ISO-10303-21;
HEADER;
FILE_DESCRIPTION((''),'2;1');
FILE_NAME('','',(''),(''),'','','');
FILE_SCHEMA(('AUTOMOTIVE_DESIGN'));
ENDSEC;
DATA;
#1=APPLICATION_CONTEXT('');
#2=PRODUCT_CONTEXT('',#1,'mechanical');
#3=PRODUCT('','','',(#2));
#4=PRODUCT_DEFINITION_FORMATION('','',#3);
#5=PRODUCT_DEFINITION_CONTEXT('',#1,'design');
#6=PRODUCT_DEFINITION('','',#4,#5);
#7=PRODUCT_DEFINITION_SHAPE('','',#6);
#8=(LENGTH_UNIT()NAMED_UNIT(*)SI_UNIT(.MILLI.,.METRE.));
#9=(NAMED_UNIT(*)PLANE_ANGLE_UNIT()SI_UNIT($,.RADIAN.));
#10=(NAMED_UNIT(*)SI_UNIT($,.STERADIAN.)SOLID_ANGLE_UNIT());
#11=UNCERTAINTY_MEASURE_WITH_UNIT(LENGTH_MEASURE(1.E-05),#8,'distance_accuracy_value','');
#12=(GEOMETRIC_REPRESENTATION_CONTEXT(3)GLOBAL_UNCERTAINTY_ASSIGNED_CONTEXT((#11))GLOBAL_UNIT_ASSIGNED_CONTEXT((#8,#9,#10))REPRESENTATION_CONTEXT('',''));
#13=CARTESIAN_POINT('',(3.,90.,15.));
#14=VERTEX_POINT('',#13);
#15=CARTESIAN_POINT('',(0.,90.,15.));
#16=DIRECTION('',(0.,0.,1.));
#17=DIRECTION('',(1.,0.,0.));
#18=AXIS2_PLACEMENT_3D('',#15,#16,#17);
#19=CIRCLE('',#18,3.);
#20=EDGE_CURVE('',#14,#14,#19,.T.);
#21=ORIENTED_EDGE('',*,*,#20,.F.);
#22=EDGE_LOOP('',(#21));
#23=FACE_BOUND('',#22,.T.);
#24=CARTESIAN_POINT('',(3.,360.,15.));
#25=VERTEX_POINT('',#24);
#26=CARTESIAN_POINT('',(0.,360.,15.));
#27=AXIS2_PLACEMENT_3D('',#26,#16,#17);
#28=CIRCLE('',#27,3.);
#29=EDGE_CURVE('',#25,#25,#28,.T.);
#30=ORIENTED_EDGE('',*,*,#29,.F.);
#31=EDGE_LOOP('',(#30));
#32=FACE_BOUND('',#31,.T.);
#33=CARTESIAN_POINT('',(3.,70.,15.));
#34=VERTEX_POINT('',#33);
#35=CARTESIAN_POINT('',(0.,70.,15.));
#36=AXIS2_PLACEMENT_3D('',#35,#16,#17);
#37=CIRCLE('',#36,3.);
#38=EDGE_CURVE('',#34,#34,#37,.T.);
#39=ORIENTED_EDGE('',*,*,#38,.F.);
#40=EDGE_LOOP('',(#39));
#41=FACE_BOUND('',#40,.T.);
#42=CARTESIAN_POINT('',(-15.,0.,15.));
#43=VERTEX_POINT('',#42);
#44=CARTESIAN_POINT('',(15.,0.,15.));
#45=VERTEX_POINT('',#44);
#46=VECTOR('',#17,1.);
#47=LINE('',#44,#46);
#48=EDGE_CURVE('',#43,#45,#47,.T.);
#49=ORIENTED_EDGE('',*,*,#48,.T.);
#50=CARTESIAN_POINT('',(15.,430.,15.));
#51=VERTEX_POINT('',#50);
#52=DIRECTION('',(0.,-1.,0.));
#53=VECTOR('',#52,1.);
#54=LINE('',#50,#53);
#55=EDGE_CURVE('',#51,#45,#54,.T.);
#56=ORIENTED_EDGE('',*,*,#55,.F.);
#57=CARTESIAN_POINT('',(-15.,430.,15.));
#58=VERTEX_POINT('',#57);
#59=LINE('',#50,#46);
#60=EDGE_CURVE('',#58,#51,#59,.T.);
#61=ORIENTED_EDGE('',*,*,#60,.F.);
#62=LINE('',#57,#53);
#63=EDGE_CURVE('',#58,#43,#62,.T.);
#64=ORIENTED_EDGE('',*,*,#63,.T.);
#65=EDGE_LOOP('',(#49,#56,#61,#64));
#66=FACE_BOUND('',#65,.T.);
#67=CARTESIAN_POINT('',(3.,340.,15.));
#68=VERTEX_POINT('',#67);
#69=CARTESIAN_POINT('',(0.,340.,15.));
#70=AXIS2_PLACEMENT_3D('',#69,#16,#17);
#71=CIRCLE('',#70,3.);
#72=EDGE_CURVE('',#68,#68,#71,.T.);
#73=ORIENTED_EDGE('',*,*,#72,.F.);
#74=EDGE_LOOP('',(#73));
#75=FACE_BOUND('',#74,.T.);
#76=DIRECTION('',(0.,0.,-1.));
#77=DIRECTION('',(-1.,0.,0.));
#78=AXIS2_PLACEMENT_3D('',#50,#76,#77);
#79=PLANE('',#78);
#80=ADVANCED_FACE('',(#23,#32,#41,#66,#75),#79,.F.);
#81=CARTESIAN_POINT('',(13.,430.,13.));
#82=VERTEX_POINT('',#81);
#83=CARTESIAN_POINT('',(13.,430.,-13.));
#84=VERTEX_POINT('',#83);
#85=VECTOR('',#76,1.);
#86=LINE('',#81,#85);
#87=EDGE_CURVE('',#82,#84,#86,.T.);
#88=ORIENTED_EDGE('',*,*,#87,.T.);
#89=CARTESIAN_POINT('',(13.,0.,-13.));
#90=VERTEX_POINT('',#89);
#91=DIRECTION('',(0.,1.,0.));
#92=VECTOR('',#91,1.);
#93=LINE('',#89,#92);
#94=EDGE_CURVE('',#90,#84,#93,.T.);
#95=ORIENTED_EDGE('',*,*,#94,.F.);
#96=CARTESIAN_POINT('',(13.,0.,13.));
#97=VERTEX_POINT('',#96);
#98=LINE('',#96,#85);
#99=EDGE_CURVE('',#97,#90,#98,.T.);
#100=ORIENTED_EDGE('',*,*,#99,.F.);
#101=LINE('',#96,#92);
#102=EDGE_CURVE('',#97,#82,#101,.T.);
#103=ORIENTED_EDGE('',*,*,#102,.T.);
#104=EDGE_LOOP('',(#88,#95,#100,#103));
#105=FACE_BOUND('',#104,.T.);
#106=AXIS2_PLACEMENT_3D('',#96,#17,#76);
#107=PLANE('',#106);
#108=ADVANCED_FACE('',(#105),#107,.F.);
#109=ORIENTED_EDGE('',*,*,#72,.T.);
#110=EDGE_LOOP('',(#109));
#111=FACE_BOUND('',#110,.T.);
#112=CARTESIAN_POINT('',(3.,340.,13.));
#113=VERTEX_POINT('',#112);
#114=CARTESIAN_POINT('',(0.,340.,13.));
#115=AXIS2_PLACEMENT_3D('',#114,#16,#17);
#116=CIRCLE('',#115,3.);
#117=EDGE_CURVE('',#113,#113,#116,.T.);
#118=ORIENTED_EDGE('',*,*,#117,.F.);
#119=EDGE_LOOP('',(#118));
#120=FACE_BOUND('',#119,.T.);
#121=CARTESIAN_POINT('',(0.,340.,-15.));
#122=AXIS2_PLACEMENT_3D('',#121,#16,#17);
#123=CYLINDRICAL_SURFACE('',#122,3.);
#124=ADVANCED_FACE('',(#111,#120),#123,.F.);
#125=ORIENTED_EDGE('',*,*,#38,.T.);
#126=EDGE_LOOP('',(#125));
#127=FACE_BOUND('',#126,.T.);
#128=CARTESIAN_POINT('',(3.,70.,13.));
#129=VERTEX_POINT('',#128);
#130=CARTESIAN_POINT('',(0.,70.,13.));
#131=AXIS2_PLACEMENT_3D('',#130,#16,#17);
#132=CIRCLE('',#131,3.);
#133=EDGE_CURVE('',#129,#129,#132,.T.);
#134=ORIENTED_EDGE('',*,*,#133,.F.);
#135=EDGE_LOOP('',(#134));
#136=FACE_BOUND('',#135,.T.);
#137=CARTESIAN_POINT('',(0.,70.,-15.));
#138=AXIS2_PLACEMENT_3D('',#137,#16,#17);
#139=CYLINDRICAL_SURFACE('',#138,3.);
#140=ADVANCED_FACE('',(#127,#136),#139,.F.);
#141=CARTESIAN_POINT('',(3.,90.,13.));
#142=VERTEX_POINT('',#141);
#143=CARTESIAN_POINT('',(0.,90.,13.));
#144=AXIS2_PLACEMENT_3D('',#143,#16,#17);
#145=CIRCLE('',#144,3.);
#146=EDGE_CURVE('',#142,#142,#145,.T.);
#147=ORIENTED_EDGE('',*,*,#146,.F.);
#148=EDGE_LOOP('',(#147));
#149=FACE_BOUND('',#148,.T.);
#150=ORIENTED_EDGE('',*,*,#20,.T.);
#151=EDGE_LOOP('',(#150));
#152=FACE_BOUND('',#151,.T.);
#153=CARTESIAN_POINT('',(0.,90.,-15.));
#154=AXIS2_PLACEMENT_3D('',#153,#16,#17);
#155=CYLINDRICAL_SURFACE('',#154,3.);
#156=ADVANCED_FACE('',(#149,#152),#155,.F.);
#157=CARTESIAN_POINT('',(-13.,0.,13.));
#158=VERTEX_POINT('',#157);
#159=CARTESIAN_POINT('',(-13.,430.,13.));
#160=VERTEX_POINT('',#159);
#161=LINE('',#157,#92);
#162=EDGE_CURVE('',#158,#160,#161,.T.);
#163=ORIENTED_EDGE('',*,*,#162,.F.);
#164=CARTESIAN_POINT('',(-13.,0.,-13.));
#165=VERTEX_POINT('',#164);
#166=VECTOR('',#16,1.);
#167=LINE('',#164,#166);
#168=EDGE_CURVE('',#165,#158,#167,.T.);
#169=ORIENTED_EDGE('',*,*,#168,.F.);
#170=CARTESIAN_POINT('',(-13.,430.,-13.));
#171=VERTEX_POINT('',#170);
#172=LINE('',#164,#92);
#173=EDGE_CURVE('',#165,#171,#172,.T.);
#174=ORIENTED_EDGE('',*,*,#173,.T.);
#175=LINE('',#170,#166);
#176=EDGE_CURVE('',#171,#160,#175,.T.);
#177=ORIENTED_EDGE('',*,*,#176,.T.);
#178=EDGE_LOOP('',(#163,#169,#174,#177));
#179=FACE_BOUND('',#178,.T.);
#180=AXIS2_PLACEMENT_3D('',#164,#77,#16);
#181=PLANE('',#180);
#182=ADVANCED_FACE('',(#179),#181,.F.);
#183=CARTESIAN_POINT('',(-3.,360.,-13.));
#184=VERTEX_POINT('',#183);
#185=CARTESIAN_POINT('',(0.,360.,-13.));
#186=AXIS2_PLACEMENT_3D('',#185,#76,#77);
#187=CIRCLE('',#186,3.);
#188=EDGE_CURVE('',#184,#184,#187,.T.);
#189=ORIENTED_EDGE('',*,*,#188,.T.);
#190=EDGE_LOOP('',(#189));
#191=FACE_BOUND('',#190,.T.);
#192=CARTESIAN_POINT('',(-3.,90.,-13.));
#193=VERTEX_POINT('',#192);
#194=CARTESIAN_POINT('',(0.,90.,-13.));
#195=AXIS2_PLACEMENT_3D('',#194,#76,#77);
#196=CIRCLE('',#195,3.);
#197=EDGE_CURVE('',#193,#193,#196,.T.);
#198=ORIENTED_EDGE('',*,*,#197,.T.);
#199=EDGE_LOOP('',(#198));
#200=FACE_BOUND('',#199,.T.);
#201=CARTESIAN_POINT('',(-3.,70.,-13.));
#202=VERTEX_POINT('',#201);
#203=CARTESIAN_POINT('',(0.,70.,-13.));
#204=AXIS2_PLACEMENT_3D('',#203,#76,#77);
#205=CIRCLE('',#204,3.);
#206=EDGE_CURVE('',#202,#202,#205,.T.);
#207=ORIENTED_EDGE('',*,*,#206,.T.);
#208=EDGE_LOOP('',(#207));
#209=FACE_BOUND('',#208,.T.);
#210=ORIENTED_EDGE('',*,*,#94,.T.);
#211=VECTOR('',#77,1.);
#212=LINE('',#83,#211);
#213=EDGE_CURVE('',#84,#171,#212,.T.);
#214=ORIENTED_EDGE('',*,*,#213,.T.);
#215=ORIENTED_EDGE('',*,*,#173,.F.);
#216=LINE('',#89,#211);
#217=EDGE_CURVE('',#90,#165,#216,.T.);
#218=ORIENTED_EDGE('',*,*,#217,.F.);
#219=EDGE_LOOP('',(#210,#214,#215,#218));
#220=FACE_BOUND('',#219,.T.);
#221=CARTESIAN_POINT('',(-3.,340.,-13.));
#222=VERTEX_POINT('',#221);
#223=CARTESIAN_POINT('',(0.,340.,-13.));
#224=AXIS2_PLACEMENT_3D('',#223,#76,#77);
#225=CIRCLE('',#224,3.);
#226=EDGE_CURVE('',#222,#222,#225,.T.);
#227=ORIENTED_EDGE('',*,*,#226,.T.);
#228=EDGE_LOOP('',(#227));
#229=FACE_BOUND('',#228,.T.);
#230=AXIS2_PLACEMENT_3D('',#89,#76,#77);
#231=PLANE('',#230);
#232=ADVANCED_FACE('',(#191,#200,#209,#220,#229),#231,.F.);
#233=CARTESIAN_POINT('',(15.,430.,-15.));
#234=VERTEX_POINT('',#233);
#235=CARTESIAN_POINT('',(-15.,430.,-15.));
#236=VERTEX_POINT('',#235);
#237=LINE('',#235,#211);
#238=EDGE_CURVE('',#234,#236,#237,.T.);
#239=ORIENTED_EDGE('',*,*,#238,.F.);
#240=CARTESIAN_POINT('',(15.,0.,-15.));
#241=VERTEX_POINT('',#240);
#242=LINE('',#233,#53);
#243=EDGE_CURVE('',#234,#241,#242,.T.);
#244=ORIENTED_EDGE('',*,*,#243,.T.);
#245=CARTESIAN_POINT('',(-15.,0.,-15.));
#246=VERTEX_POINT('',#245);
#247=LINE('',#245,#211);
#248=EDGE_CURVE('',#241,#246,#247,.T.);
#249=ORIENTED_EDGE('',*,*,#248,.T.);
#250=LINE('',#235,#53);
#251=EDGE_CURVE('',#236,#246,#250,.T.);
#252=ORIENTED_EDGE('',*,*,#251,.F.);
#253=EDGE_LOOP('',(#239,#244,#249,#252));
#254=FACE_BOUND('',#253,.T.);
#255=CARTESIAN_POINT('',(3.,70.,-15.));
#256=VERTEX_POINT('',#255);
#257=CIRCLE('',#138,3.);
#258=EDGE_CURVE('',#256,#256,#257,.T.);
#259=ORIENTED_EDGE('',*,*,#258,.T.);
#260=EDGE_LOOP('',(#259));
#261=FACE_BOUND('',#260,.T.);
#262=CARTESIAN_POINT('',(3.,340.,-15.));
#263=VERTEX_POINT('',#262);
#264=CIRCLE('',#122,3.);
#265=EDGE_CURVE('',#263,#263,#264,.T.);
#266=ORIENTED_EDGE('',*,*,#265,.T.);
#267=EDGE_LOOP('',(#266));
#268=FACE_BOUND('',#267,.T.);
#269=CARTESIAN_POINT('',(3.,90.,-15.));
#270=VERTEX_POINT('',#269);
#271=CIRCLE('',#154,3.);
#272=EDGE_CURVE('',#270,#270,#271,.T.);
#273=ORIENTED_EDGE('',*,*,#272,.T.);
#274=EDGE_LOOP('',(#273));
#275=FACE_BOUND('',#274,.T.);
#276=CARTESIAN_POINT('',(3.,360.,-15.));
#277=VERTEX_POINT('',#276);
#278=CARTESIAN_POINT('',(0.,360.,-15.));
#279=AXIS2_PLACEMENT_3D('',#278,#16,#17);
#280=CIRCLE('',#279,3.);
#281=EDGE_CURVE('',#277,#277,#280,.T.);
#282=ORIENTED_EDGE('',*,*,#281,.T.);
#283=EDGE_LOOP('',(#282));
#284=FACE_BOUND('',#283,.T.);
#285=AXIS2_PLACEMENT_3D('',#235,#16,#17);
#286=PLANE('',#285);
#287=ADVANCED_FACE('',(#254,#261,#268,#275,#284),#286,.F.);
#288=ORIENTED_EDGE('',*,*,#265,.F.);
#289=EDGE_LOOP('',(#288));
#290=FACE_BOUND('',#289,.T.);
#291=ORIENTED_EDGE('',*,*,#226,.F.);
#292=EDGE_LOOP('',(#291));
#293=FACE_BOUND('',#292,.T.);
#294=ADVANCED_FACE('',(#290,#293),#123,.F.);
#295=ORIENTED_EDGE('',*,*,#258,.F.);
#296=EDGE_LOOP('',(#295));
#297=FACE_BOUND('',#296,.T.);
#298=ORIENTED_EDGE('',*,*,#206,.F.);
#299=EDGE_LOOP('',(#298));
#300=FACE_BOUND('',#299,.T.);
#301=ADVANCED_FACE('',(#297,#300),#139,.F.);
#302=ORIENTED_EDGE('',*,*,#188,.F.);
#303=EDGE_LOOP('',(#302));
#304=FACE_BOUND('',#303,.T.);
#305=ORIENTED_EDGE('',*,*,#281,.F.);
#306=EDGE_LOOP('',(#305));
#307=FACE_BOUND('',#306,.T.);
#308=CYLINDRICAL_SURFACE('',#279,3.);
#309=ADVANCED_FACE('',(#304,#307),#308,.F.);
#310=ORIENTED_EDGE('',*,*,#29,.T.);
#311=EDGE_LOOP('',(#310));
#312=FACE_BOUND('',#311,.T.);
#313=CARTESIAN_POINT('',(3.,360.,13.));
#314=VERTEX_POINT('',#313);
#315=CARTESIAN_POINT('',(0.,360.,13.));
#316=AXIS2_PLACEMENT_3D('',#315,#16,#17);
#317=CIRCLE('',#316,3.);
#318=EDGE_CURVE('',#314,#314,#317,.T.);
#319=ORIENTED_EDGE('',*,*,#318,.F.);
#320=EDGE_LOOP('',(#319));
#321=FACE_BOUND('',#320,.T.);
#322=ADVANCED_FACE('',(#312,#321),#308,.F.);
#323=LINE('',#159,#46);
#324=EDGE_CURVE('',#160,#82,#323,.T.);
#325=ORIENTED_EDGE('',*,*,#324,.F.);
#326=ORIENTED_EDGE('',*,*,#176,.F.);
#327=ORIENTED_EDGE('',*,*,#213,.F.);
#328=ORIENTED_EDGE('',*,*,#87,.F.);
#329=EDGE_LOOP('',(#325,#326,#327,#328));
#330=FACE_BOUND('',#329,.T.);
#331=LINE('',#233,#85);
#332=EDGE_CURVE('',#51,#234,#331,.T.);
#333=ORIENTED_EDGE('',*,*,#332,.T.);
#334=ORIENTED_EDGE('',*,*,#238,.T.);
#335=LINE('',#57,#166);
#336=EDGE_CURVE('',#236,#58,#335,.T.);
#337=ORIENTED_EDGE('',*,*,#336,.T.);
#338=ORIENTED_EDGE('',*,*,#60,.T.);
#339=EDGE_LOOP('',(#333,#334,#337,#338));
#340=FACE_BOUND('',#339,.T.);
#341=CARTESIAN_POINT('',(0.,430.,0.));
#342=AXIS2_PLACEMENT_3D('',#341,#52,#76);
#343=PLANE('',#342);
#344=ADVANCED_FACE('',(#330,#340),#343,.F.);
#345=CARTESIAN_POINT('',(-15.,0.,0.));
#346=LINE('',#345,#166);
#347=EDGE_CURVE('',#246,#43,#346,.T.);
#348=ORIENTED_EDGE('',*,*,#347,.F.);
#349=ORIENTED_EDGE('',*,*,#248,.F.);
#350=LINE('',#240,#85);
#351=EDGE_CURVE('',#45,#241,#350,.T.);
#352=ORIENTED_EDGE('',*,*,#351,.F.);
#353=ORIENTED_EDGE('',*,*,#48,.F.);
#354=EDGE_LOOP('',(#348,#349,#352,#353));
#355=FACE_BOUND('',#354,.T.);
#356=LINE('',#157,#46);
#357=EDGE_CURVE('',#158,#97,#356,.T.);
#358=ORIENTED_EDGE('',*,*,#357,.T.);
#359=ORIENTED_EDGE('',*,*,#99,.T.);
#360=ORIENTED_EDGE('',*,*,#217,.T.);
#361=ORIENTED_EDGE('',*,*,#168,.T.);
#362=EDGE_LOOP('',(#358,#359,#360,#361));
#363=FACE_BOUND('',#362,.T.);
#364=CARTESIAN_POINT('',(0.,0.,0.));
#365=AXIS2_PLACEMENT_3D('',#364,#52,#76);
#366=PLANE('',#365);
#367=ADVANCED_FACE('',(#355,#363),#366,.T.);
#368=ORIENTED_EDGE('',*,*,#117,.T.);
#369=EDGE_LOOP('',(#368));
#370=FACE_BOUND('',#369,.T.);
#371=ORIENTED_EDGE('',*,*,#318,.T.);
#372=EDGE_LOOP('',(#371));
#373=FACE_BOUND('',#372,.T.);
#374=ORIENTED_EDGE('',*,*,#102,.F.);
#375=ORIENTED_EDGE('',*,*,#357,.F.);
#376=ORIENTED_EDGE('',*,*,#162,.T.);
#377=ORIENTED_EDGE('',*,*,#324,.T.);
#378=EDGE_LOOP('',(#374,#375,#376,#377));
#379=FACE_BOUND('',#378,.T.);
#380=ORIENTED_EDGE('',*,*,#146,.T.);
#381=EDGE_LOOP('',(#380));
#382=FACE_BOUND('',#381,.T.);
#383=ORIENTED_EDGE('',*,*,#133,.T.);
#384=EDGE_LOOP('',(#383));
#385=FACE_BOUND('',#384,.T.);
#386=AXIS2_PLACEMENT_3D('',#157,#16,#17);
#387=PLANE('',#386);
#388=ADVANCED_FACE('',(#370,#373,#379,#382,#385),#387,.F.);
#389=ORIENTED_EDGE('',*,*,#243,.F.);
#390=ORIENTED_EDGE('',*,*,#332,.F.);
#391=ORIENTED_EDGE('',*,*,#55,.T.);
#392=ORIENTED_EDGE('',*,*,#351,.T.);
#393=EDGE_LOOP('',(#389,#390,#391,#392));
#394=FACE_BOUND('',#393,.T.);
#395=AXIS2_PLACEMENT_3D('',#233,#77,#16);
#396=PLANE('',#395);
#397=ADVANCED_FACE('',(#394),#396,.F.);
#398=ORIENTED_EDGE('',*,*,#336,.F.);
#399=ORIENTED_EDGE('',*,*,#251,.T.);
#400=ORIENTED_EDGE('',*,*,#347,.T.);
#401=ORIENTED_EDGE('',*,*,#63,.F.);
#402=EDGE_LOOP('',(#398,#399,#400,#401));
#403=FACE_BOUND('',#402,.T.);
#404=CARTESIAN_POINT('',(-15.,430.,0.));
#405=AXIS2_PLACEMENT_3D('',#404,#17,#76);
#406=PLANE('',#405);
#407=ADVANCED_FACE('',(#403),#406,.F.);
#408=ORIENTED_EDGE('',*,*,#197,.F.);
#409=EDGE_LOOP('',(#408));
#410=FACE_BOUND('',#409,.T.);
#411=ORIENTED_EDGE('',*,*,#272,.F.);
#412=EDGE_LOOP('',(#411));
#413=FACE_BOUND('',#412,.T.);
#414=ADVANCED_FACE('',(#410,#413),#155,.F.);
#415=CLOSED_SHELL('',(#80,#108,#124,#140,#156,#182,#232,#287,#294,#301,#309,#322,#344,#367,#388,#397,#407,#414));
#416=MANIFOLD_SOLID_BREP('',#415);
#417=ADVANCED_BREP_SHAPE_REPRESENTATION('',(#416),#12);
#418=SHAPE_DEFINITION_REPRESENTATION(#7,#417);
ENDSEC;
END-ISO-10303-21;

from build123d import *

# Parameters (mm, degrees)
BOSS_EXTRUDE1_DEPTH = 430
SKETCH2_W           = 26
SKETCH2_H           = 26
CUT_EXTRUDE1_DEPTH  = 430
SKETCH3_R           = 3
CUT_EXTRUDE2_DEPTH  = 30


with BuildPart() as part:
    # Sketch1 → Boss-Extrude1 (new body)
    with BuildSketch(Plane(origin=(0, 0, 0), x_dir=(1, 0, 0), z_dir=(0, 1, 0))):
        Polygon((-15, 0), (-15, 15), (15, 15), (15, -15), (-15, -15), align=None)
    extrude(amount=BOSS_EXTRUDE1_DEPTH)

    # Sketch2 → Cut-Extrude1 (cut)
    with BuildSketch(Plane(origin=(0, 430, 0), x_dir=(1, 0, 0), z_dir=(0, 1, 0))):
        Rectangle(SKETCH2_W, SKETCH2_H)
    extrude(amount=-CUT_EXTRUDE1_DEPTH, mode=Mode.SUBTRACT)

    # Sketch3 → Cut-Extrude2 (cut)
    with BuildSketch(Plane.XY.offset(15)):
        with Locations((0, 360)):
            Circle(SKETCH3_R)
        with Locations((0, 340)):
            Circle(SKETCH3_R)
        with Locations((0, 90)):
            Circle(SKETCH3_R)
        with Locations((0, 70)):
            Circle(SKETCH3_R)
    extrude(amount=-CUT_EXTRUDE2_DEPTH, mode=Mode.SUBTRACT)


solid = part.part
